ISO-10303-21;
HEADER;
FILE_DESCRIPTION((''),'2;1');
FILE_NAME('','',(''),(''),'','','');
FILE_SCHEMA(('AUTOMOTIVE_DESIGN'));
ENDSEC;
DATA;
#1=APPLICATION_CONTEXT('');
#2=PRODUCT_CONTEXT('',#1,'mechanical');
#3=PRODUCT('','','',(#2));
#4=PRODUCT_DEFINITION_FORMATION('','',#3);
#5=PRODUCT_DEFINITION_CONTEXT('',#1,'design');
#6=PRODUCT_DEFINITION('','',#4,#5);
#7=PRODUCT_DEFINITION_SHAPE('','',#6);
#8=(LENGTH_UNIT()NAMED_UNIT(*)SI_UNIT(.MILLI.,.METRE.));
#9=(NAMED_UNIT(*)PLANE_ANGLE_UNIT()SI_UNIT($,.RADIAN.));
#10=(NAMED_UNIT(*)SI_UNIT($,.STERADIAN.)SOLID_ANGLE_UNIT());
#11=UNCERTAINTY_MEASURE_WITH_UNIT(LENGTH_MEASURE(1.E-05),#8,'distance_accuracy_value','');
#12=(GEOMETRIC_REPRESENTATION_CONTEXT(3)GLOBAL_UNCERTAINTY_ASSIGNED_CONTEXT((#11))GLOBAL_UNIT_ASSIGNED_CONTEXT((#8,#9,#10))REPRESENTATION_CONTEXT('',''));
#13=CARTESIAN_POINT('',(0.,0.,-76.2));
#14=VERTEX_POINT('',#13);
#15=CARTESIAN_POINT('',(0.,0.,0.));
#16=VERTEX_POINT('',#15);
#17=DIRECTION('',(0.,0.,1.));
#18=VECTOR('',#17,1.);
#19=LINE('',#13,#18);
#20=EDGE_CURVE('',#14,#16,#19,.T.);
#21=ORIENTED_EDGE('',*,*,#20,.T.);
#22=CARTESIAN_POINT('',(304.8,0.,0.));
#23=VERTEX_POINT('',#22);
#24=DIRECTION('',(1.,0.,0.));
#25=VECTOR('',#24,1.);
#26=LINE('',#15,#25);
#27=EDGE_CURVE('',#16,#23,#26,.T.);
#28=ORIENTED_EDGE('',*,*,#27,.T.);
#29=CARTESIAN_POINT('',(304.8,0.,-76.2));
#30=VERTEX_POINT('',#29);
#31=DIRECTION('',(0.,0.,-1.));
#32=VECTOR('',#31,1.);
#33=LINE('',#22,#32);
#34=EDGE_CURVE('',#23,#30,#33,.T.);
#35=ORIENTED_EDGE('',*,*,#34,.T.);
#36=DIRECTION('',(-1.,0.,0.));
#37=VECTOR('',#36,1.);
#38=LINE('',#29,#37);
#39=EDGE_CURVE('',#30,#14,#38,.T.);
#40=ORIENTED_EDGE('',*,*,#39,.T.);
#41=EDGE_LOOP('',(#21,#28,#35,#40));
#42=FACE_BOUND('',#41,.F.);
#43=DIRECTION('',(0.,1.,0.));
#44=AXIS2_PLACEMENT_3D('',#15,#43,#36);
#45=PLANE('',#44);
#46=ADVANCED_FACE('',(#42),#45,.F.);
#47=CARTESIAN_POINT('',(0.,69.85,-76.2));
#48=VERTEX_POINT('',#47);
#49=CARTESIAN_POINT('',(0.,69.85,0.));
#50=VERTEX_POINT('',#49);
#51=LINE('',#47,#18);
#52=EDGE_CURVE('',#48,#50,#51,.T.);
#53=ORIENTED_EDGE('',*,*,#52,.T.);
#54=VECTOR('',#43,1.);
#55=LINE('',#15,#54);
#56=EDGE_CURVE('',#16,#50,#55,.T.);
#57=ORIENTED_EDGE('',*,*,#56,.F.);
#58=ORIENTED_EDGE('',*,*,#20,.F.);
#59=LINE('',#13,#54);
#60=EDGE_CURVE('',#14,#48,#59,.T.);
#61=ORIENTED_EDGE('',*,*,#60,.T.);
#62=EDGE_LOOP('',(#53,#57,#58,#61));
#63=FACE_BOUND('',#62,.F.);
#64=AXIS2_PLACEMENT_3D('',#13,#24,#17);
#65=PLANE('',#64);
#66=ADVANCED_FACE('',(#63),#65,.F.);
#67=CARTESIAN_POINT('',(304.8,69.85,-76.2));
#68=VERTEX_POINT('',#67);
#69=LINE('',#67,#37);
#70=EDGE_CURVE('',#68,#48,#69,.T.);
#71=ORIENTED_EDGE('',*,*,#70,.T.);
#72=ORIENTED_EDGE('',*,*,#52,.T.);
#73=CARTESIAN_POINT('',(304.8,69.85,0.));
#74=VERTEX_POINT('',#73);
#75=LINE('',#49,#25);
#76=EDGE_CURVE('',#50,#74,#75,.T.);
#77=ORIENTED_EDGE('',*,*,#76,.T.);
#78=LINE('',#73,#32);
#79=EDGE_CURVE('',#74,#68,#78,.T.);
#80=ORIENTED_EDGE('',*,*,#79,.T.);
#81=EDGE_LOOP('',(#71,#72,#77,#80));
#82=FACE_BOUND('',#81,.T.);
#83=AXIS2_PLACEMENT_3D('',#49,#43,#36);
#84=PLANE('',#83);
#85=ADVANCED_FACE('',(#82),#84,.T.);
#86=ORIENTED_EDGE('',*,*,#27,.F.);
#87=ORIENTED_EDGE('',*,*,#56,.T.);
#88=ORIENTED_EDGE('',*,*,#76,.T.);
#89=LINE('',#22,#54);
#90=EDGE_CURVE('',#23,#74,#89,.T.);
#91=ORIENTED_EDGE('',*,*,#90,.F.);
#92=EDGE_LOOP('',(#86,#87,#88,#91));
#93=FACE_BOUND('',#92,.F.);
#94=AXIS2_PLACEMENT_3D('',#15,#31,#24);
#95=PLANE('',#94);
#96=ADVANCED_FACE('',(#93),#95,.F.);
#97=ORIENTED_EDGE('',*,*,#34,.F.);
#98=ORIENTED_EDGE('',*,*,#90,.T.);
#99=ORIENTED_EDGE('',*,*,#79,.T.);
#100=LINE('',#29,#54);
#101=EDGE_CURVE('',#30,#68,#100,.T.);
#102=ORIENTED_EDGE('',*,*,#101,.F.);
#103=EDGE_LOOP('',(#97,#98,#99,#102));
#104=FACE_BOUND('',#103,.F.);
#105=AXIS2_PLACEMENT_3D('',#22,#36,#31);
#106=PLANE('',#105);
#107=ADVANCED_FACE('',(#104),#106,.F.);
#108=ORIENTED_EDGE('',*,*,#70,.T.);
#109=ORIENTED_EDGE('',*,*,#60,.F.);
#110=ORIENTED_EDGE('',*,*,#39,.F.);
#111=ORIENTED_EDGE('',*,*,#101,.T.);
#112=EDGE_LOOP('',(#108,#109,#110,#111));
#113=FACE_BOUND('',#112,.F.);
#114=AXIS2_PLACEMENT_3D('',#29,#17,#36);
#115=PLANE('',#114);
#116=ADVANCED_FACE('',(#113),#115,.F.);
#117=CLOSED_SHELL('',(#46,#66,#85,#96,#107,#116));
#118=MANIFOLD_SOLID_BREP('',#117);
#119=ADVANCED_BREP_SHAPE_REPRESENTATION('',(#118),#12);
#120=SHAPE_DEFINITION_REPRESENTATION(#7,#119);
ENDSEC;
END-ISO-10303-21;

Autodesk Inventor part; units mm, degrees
ref_plane "YZ Plane" through (0, 0, 0) normal (1, 0, 0) x (0, 1, 0)
ref_plane "XZ Plane" through (0, 0, 0) normal (0, 1, 0) x (-1, 0, 0)
ref_plane "XY Plane" through (0, 0, 0) normal (0, 0, 1) x (1, 0, 0)
sketch "Sketch1" plane through (0, 0, 0) normal (0, 1, 0) x (-1, 0, 0)
  line L0 (0, 0) -> (-304.8, 0)
  line L1 (-304.8, 0) -> (-304.8, -76.2)
  line L2 (-304.8, -76.2) -> (0, -76.2)
  line L3 (0, -76.2) -> (0, 0)
  dimension "d0" = 304.8
  dimension "d1" = 76.2
extrude "Extrusion1" add sketch "Sketch1" along normal blind 69.85
properties part number "3x12 - 944" material "Granite, Cut, Polished"
